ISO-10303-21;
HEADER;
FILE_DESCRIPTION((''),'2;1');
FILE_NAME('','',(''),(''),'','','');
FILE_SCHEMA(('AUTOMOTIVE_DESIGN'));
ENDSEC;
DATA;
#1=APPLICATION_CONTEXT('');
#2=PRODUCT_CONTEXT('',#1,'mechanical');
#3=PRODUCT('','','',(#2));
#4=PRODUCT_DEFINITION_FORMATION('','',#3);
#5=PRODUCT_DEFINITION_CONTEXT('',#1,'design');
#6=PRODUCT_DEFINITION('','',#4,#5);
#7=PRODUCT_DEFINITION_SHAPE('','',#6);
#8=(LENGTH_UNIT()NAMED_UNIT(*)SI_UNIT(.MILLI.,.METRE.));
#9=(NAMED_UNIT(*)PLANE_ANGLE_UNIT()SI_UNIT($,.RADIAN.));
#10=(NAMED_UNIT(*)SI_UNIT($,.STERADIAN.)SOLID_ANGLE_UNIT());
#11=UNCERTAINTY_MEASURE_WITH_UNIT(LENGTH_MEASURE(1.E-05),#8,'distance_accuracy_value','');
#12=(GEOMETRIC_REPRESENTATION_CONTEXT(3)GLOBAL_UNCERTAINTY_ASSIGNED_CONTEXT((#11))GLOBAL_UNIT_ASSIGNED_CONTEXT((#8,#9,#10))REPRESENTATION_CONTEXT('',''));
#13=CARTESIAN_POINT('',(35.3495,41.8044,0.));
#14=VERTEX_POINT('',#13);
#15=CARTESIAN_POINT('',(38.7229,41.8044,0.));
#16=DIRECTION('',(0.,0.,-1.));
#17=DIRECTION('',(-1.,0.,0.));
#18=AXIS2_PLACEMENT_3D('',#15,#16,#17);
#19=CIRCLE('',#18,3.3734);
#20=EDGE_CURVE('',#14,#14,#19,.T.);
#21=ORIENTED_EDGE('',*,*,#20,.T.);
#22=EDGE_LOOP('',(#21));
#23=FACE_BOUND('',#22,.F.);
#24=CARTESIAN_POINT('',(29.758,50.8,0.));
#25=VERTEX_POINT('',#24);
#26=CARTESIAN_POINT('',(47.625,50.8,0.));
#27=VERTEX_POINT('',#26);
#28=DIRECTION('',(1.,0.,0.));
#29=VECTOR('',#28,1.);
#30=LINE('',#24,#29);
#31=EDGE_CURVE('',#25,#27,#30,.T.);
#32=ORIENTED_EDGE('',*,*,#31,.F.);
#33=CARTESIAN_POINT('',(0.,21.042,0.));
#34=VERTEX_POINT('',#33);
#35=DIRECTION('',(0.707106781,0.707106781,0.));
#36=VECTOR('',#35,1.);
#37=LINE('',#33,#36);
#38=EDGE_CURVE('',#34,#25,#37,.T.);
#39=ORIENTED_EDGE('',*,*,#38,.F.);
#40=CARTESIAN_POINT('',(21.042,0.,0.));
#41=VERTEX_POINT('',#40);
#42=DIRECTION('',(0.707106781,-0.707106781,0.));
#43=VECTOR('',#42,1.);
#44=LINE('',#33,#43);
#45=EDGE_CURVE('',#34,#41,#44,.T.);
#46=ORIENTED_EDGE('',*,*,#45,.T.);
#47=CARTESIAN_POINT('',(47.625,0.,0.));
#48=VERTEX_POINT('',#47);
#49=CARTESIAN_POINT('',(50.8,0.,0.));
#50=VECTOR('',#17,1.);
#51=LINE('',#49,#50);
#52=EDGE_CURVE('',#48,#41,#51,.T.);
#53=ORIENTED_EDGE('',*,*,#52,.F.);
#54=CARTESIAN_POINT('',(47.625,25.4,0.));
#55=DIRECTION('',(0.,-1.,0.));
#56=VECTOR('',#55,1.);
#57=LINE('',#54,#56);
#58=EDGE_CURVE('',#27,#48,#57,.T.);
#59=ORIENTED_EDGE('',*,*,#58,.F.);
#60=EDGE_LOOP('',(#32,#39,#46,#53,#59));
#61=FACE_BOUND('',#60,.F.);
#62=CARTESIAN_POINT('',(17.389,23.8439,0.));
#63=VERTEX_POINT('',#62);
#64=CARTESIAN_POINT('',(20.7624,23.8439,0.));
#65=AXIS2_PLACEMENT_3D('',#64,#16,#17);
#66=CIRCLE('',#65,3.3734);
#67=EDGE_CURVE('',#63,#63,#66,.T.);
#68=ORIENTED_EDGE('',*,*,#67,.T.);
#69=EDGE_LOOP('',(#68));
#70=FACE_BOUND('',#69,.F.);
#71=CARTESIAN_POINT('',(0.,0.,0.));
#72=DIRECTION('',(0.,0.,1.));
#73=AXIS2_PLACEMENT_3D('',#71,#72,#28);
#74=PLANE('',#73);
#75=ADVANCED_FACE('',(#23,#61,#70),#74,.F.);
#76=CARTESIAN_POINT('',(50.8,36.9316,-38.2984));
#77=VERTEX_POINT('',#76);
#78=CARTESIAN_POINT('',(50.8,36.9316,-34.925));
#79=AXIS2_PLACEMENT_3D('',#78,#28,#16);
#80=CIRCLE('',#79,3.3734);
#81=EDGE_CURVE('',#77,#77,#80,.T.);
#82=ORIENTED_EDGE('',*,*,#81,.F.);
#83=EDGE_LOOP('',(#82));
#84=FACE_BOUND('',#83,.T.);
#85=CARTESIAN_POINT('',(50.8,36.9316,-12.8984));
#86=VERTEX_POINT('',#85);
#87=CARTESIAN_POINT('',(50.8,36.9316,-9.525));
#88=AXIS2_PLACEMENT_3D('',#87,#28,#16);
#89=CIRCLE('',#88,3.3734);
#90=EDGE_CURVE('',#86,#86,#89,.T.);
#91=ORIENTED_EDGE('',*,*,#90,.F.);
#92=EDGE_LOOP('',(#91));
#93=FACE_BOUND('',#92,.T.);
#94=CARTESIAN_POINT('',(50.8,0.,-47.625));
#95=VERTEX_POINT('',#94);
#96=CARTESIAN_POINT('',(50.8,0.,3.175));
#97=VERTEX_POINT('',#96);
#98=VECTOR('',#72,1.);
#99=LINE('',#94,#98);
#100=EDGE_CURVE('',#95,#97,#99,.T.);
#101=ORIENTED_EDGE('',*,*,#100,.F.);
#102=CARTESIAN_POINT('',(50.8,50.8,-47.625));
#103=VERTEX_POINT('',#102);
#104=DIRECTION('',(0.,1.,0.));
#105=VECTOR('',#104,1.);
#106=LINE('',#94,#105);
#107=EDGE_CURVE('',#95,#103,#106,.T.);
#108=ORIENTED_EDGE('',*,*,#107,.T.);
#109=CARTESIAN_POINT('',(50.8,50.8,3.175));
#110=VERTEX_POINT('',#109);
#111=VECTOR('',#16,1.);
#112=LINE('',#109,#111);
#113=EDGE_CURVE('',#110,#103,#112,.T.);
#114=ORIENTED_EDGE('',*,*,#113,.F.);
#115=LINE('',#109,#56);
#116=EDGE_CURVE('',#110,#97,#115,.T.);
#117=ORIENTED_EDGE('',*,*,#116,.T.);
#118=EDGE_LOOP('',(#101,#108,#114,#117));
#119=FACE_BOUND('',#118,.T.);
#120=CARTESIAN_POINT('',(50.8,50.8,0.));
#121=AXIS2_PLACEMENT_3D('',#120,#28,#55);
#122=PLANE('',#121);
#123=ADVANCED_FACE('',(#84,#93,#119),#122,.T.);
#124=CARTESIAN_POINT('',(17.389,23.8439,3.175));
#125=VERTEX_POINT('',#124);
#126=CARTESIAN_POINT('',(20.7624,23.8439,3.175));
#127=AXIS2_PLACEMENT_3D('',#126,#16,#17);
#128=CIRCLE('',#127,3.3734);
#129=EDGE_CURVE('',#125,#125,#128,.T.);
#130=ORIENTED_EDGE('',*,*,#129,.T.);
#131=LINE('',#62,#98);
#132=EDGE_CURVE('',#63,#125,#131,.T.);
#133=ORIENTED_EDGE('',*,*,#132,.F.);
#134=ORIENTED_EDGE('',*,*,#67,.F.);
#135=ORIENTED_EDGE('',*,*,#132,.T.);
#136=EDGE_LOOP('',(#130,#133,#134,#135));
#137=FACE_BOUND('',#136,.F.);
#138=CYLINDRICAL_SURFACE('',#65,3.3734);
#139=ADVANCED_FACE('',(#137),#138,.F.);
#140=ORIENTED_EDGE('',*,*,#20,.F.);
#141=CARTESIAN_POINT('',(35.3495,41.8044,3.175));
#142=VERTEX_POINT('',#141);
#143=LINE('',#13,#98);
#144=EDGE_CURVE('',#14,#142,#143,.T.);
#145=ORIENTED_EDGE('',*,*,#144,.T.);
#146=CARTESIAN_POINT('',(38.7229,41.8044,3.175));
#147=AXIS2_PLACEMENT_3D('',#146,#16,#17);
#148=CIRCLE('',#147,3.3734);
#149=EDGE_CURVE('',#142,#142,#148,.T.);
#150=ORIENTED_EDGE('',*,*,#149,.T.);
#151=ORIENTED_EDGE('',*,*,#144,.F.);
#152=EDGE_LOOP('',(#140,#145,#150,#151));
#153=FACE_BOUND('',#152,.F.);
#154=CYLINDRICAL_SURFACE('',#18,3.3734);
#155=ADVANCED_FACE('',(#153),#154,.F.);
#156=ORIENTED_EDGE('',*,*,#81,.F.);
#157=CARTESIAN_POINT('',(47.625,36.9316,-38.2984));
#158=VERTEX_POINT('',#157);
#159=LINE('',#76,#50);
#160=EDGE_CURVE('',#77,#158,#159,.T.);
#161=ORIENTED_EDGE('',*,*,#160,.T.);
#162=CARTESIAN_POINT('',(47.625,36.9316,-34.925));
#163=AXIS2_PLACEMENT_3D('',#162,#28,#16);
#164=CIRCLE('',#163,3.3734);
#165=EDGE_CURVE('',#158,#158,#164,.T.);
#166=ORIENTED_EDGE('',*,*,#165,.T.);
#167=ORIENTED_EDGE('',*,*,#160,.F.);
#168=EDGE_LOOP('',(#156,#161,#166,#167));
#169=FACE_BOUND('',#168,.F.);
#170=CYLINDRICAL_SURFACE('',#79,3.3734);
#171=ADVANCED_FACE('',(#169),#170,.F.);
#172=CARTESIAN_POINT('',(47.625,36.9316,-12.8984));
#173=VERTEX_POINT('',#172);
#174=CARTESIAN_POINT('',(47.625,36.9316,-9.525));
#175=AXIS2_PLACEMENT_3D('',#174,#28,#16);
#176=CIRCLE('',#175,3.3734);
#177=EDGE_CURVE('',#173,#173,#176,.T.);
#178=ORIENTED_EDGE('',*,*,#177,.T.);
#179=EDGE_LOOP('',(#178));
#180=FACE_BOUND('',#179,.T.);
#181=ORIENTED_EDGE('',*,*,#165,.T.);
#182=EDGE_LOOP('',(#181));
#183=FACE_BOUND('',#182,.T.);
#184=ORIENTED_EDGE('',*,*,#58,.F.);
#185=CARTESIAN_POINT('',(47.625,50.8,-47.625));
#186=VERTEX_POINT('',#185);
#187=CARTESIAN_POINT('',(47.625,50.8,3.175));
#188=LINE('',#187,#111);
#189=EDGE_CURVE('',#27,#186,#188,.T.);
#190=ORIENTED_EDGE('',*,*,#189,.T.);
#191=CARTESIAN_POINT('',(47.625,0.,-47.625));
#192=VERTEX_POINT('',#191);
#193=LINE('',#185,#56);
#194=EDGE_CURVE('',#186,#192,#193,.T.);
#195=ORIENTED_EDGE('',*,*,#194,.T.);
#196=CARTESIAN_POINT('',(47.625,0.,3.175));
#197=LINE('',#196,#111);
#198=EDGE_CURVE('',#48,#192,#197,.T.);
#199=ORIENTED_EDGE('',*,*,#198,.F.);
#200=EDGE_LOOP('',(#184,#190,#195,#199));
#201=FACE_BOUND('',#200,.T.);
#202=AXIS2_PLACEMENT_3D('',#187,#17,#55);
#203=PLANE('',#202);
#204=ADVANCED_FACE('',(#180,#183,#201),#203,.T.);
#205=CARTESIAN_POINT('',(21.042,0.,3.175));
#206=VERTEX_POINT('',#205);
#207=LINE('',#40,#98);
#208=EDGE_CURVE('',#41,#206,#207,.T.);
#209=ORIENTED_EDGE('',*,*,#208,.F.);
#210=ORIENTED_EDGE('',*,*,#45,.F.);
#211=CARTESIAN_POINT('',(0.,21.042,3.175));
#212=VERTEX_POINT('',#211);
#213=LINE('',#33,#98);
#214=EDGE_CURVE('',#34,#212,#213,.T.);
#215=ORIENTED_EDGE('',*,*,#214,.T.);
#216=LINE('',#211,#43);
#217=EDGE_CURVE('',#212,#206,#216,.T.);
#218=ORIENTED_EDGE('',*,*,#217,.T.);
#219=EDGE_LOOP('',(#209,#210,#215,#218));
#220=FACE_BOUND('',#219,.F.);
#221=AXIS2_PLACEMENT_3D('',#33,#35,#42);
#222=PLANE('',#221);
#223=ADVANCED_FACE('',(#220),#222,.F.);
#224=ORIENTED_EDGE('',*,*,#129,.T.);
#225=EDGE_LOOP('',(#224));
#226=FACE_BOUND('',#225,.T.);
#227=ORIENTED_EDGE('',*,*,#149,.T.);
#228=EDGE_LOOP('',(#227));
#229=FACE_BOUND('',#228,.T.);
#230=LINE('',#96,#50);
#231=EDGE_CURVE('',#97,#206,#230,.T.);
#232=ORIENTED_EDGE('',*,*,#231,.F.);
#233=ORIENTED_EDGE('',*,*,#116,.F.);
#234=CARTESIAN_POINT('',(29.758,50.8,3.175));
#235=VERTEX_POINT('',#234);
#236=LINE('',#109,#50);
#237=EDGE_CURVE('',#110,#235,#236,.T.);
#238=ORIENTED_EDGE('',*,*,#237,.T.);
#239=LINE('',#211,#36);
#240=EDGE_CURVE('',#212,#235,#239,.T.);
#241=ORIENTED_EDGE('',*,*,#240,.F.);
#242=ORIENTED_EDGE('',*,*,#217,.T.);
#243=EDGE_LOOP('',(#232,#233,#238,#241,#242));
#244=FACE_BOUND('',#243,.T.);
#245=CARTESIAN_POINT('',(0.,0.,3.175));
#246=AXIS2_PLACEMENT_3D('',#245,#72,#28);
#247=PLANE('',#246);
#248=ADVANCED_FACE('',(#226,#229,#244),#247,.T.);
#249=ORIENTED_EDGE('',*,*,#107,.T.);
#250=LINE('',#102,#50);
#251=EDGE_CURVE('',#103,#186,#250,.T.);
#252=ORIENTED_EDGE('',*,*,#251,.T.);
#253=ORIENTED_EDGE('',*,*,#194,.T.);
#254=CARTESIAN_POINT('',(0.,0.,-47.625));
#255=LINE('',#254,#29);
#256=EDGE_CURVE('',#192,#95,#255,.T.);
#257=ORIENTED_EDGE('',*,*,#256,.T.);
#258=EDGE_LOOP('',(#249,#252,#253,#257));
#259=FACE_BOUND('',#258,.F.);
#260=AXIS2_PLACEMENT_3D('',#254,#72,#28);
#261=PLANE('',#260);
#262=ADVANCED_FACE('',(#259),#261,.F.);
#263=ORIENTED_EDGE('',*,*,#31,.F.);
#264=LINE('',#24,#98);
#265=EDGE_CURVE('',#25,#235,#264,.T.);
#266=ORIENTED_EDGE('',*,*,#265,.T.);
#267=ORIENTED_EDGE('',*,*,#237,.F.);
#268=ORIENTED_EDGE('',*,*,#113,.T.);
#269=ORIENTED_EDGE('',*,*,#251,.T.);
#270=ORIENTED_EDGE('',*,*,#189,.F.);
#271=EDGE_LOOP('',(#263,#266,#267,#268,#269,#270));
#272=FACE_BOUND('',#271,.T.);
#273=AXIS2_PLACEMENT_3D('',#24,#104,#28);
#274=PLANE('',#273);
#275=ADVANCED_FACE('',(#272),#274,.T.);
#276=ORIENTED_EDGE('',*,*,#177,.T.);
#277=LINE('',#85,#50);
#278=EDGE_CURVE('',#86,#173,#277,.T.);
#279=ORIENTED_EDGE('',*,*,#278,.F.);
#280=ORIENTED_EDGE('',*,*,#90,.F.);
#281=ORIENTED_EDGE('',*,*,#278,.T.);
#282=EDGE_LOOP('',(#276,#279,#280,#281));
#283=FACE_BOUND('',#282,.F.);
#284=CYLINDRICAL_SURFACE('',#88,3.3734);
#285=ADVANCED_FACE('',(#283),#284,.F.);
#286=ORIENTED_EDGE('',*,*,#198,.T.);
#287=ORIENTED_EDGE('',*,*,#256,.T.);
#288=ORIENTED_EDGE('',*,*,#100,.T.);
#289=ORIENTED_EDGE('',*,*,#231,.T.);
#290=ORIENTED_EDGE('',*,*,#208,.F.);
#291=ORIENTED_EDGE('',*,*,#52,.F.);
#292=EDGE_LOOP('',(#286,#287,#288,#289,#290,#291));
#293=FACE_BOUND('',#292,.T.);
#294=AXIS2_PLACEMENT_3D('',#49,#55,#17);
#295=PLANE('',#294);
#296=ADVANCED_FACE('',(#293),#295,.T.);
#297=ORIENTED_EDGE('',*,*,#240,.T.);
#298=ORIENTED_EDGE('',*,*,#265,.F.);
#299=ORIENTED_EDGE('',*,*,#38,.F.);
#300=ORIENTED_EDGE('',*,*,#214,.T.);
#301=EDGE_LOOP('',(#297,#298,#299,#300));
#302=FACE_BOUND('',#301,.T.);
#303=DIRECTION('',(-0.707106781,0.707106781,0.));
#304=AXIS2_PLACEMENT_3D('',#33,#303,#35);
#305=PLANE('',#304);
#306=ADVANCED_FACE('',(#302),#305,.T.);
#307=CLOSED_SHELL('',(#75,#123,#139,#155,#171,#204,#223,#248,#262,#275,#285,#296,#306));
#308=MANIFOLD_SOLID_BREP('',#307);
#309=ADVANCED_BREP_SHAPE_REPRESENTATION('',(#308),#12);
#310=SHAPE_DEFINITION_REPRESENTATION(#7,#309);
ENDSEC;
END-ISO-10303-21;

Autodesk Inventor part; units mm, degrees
ref_plane "YZ Plane" through (0, 0, 0) normal (1, 0, 0) x (0, 1, 0)
ref_plane "XZ Plane" through (0, 0, 0) normal (0, 1, 0) x (-1, 0, 0)
ref_plane "XY Plane" through (0, 0, 0) normal (0, 0, 1) x (1, 0, 0)
sketch "Sketch1" plane through (0, 0, 0) normal (0, 0, 1) x (1, 0, 0)
  line L0 (0, 0) -> (0, 21.042)
  line L1 (0, 21.042) -> (29.758, 50.8)
  line L2 (29.758, 50.8) -> (50.8, 50.8)
  line L3 (50.8, 50.8) -> (50.8, 0)
  line L4 (50.8, 0) -> (0, 0)
  dimension "d0" = 50.8
  dimension "d2" = 50.8
  dimension "d3" = 50.8
  dimension "d4" = 135
extrude "Extrusion1" add sketch "Sketch1" along normal blind 3.175
sketch "Sketch2" plane through (0, 0, 3.175) normal (0, 0, 1) x (1, 0, 0)
  line L0 (50.8, 0) -> (50.8, 50.8) projected
  line L1 (0, 0) -> (50.8, 0) projected
  line L2 (50.8, 50.8) -> (47.625, 50.8)
  line L3 (47.625, 50.8) -> (47.625, 0)
  line L4 (47.625, 0) -> (50.8, 0)
  line L5 (50.8, 0) -> (50.8, 50.8)
  dimension "d7" = 3.175
extrude "Extrusion2" add sketch "Sketch2" against normal blind 50.8
sketch "Sketch3" plane through (50.8, 0, 3.175) normal (1, 0, 0) x (0, 0, -1)
  circle A0 centre (38.1, 36.9316) radius 3.3734
  circle A1 centre (12.7, 36.9316) radius 3.3734
  line L0 (0, 50.8) -> (50.8, 50.8) projected
  line L1 (0, 0) -> (0, 50.8) projected
  point P0 (3.175, 0)
  dimension "d10" = 6.7469
  dimension "d11" = 6.7469
  dimension "d12" = 13.8684
  dimension "d13" = 13.8684
  dimension "d14" = 12.7
  dimension "d15" = 25.4
extrude "Extrusion3" cut sketch "Sketch3" against normal blind 3.175
sketch "Sketch4" plane through (0, 0, 0) normal (0, 0, -1) x (-1, 0, 0)
  line L0 (0, 0) -> (0, 21.042) projected
  line L1 (0, 21.042) -> (-21.042, 0)
  line L2 (-47.625, 0) -> (0, 0) projected
  line L3 (0, 21.042) -> (-29.758, 50.8) projected
  line L4 (0, 21.042) -> (0, 0)
  line L5 (-21.042, 0) -> (0, 0)
  circle A0 centre (-20.7624, 23.8439) radius 3.3734
  circle A1 centre (-38.7229, 41.8044) radius 3.3734
  dimension "d18" = 16.6624
  dimension "d19" = 12.7
  dimension "d20" = 12.7
  dimension "d21" = 6.7469
  dimension "d22" = 25.4
extrude "Extrusion4" cut sketch "Sketch4" against normal blind 3.175
properties part number "bottom left rail gusset" material "Aluminum 6061"
